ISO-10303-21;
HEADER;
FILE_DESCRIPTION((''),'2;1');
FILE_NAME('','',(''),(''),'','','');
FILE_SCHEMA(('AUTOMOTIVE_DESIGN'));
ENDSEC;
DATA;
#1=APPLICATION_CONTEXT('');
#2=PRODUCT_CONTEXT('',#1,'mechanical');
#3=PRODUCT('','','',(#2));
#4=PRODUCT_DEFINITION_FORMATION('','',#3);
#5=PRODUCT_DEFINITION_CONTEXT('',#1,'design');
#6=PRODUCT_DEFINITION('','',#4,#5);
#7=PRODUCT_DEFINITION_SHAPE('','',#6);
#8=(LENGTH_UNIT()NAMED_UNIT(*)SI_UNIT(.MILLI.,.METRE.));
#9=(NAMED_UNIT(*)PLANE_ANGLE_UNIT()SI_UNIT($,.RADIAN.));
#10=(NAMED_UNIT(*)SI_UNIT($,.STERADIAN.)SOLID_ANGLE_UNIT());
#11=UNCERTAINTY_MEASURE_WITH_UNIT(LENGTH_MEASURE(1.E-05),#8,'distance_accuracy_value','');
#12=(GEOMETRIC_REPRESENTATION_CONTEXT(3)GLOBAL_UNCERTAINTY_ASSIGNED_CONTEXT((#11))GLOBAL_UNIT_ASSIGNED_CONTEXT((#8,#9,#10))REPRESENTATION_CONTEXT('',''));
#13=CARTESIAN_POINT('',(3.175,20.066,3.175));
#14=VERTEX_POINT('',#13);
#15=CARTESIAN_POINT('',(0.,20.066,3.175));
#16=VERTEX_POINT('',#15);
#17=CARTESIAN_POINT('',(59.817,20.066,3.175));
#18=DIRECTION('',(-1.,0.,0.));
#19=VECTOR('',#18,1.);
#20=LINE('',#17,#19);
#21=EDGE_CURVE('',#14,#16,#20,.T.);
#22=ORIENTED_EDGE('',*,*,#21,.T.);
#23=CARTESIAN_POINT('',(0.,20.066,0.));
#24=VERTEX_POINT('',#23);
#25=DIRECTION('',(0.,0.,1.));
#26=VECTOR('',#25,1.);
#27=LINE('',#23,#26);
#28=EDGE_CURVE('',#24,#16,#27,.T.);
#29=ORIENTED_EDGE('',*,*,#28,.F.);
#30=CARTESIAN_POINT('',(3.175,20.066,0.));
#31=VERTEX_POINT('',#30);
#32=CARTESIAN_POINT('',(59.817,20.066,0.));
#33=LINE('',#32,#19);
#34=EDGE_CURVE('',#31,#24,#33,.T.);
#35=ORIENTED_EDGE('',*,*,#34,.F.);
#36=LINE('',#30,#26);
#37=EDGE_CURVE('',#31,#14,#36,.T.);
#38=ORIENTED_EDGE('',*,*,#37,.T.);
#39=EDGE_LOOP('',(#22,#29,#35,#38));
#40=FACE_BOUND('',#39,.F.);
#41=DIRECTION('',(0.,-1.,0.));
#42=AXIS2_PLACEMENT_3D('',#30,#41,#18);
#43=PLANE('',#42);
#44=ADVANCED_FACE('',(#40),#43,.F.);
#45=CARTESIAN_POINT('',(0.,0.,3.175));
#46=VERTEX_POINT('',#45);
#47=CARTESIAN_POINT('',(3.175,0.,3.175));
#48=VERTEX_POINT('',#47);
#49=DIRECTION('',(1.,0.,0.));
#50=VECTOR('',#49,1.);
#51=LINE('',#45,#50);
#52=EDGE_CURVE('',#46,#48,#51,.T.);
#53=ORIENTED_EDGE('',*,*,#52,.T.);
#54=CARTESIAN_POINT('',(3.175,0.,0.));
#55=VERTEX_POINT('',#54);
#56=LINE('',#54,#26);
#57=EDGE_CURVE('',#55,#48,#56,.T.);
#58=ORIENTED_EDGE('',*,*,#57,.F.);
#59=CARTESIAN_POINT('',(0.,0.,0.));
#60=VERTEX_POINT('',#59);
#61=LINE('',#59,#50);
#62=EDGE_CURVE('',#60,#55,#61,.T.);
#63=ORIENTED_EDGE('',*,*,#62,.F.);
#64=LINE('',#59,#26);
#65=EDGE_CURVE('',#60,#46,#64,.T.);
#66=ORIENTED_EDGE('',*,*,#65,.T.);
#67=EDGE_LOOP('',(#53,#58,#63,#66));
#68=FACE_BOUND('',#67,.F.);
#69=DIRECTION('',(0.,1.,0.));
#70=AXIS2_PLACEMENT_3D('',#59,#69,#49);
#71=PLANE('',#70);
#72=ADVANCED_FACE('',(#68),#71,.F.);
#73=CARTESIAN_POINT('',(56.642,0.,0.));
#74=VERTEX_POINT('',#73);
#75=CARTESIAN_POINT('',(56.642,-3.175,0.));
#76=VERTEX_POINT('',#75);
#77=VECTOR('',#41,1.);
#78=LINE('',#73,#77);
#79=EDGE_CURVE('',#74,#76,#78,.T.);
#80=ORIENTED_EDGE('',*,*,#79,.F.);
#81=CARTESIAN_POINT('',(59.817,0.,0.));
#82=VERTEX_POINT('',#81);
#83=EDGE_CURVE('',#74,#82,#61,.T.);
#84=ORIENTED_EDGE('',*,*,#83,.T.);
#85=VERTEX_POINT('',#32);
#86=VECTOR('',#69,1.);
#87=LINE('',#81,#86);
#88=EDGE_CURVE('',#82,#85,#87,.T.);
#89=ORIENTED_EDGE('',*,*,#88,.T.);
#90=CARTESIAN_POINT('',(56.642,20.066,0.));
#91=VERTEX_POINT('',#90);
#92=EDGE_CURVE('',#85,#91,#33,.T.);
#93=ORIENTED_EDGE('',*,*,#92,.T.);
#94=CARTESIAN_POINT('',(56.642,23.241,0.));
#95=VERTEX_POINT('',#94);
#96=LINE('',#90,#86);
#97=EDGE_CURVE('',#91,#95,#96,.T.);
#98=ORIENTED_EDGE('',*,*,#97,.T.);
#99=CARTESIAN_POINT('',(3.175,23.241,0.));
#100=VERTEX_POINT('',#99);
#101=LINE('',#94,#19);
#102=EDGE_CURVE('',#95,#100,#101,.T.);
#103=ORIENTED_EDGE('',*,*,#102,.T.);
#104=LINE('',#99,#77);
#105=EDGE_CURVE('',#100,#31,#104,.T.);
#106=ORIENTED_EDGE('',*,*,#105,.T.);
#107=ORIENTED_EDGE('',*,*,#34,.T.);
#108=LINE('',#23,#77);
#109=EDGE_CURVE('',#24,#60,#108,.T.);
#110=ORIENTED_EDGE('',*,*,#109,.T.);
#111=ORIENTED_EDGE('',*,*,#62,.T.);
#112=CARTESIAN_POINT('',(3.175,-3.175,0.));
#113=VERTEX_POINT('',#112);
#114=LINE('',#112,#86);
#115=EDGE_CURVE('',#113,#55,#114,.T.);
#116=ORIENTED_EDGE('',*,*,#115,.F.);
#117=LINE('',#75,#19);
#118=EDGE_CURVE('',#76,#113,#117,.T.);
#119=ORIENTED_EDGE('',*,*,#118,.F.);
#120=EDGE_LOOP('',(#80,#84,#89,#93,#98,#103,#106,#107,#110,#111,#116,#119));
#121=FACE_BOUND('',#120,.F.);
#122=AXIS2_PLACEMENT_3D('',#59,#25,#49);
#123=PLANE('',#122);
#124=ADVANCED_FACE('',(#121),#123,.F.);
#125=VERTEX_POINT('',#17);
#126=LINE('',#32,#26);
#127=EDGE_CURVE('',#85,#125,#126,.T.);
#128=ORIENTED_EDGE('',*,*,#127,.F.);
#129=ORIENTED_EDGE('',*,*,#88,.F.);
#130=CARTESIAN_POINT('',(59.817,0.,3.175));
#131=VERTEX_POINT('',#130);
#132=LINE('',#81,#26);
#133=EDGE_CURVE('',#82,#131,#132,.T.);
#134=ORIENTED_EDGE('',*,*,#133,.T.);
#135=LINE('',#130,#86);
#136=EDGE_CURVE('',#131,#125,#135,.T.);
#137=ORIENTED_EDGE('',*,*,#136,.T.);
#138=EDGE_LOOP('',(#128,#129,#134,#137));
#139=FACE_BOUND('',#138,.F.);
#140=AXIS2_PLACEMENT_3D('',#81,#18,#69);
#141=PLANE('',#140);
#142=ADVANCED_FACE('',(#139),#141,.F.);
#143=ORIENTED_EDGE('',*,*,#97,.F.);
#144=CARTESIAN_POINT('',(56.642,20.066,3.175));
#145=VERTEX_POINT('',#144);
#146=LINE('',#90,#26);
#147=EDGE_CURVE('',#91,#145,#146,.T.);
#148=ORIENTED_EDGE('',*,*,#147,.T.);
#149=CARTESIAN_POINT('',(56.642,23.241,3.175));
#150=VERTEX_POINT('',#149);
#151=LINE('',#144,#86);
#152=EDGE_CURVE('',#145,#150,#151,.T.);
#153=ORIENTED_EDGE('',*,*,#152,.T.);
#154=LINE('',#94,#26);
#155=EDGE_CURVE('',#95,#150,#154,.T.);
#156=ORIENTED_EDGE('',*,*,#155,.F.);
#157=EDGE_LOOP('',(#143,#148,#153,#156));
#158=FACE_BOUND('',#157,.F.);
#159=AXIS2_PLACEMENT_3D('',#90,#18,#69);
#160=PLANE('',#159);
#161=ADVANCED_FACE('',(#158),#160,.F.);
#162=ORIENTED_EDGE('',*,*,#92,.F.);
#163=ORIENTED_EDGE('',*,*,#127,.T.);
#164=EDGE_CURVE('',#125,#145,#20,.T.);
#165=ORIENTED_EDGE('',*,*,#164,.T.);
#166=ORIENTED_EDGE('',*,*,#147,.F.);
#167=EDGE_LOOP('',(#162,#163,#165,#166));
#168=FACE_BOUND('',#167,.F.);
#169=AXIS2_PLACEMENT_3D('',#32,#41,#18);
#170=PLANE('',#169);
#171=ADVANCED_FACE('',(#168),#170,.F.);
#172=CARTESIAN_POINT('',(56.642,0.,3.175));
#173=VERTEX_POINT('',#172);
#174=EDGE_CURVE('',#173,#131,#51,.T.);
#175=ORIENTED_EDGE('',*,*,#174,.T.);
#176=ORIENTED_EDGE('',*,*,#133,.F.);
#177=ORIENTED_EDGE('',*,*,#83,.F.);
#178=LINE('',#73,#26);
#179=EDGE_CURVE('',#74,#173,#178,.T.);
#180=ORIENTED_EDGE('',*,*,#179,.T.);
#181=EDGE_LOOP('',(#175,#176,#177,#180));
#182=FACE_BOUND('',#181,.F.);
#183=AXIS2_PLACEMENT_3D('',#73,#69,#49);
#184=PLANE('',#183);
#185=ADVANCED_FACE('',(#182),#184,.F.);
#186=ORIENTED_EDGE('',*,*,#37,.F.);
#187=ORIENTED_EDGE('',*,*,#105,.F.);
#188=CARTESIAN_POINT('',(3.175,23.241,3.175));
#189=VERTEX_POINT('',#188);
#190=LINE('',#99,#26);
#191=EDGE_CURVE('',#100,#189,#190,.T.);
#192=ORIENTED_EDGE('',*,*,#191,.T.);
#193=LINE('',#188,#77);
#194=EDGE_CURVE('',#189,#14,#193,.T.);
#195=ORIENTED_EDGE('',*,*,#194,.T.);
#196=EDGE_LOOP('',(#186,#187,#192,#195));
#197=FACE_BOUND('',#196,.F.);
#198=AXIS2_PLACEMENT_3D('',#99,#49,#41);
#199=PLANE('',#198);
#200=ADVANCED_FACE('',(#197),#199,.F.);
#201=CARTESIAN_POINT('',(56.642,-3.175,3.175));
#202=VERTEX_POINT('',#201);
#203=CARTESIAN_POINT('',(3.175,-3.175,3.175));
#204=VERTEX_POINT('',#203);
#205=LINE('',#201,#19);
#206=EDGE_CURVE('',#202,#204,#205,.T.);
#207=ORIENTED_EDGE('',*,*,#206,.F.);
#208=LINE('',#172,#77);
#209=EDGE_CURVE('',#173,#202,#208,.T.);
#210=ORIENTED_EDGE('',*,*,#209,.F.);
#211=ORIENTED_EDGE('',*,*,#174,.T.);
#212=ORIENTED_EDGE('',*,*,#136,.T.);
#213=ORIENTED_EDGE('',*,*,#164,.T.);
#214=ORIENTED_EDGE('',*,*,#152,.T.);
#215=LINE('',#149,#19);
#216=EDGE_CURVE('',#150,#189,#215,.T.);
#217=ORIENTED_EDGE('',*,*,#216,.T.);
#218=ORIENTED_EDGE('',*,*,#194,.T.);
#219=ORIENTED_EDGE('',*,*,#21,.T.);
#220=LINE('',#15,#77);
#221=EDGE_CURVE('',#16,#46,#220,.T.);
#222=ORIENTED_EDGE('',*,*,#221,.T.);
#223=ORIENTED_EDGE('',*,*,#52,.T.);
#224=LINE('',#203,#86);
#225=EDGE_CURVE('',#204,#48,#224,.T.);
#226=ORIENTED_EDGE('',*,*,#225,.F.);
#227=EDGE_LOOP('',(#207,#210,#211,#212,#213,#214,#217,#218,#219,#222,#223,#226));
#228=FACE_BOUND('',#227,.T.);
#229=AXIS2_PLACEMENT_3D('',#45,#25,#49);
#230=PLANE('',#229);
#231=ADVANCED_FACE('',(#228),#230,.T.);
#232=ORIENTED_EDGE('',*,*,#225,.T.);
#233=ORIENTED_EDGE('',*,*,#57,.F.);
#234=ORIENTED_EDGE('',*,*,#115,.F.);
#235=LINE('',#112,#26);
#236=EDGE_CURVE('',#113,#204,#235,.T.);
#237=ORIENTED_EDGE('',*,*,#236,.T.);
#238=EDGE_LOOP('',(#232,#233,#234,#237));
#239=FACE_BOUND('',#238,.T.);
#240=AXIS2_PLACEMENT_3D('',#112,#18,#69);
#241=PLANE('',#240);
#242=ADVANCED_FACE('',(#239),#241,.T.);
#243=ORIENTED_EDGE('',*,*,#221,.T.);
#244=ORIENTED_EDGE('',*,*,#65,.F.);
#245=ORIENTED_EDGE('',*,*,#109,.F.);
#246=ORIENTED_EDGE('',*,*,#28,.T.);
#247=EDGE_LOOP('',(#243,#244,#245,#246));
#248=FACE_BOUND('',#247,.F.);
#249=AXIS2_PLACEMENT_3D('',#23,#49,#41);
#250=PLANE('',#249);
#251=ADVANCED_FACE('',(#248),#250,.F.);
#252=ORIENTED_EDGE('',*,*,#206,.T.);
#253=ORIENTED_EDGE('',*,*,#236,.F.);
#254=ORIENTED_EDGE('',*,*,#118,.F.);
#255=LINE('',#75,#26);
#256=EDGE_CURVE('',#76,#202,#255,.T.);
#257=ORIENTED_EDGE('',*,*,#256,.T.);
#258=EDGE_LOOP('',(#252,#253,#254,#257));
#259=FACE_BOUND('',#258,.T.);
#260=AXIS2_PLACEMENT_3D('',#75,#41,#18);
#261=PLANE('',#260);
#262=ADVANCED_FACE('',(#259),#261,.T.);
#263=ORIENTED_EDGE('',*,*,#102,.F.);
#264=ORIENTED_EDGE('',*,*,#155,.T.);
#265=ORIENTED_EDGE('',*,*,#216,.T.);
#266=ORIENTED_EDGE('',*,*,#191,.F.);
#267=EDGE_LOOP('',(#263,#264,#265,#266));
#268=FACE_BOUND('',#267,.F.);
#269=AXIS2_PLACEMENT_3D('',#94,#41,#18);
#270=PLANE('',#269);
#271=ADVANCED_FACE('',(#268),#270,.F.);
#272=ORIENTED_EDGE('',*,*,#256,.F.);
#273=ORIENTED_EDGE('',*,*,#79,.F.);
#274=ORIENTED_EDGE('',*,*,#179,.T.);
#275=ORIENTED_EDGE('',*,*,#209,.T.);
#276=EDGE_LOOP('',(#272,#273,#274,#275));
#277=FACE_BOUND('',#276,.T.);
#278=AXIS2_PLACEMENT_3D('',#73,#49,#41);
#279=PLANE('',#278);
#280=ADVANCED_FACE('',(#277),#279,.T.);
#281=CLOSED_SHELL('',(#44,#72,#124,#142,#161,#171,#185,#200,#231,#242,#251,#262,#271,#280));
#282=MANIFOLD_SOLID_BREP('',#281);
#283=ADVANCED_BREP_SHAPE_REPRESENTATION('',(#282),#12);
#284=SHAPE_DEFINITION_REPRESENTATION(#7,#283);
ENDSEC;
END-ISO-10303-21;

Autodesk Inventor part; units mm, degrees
ref_plane "YZ Plane" through (0, 0, 0) normal (1, 0, 0) x (0, 1, 0)
ref_plane "XZ Plane" through (0, 0, 0) normal (0, 1, 0) x (-1, 0, 0)
ref_plane "XY Plane" through (0, 0, 0) normal (0, 0, 1) x (1, 0, 0)
sketch "Sketch1" plane through (0, 0, 0) normal (0, 0, 1) x (1, 0, 0)
  line L0 (0, 0) -> (59.817, 0)
  line L1 (59.817, 0) -> (59.817, 20.066)
  line L2 (59.817, 20.066) -> (0, 20.066)
  line L3 (0, 20.066) -> (0, 0)
  line L4 (3.175, 0) -> (56.642, 0)
  line L5 (56.642, 0) -> (56.642, -3.175)
  line L6 (56.642, -3.175) -> (3.175, -3.175)
  line L7 (3.175, -3.175) -> (3.175, 0)
  line L8 (3.175, 20.066) -> (56.642, 20.066)
  line L9 (56.642, 20.066) -> (56.642, 23.241)
  line L10 (56.642, 23.241) -> (3.175, 23.241)
  line L11 (3.175, 23.241) -> (3.175, 20.066)
  point P0 (3.175, -1.5875)
  point P1 (56.642, 21.6535)
  dimension "d0" = 3.175
  dimension "d1" = 3.175
  dimension "d2" = 3.175
  dimension "d4" = 53.467
  dimension "d5" = 3.175
  dimension "d6" = 3.175
  dimension "d7" = 3.175
  dimension "d8" = 20.066
extrude "Extrusion1" add sketch "Sketch1" along normal blind 3.175
properties part number "servo long side"
